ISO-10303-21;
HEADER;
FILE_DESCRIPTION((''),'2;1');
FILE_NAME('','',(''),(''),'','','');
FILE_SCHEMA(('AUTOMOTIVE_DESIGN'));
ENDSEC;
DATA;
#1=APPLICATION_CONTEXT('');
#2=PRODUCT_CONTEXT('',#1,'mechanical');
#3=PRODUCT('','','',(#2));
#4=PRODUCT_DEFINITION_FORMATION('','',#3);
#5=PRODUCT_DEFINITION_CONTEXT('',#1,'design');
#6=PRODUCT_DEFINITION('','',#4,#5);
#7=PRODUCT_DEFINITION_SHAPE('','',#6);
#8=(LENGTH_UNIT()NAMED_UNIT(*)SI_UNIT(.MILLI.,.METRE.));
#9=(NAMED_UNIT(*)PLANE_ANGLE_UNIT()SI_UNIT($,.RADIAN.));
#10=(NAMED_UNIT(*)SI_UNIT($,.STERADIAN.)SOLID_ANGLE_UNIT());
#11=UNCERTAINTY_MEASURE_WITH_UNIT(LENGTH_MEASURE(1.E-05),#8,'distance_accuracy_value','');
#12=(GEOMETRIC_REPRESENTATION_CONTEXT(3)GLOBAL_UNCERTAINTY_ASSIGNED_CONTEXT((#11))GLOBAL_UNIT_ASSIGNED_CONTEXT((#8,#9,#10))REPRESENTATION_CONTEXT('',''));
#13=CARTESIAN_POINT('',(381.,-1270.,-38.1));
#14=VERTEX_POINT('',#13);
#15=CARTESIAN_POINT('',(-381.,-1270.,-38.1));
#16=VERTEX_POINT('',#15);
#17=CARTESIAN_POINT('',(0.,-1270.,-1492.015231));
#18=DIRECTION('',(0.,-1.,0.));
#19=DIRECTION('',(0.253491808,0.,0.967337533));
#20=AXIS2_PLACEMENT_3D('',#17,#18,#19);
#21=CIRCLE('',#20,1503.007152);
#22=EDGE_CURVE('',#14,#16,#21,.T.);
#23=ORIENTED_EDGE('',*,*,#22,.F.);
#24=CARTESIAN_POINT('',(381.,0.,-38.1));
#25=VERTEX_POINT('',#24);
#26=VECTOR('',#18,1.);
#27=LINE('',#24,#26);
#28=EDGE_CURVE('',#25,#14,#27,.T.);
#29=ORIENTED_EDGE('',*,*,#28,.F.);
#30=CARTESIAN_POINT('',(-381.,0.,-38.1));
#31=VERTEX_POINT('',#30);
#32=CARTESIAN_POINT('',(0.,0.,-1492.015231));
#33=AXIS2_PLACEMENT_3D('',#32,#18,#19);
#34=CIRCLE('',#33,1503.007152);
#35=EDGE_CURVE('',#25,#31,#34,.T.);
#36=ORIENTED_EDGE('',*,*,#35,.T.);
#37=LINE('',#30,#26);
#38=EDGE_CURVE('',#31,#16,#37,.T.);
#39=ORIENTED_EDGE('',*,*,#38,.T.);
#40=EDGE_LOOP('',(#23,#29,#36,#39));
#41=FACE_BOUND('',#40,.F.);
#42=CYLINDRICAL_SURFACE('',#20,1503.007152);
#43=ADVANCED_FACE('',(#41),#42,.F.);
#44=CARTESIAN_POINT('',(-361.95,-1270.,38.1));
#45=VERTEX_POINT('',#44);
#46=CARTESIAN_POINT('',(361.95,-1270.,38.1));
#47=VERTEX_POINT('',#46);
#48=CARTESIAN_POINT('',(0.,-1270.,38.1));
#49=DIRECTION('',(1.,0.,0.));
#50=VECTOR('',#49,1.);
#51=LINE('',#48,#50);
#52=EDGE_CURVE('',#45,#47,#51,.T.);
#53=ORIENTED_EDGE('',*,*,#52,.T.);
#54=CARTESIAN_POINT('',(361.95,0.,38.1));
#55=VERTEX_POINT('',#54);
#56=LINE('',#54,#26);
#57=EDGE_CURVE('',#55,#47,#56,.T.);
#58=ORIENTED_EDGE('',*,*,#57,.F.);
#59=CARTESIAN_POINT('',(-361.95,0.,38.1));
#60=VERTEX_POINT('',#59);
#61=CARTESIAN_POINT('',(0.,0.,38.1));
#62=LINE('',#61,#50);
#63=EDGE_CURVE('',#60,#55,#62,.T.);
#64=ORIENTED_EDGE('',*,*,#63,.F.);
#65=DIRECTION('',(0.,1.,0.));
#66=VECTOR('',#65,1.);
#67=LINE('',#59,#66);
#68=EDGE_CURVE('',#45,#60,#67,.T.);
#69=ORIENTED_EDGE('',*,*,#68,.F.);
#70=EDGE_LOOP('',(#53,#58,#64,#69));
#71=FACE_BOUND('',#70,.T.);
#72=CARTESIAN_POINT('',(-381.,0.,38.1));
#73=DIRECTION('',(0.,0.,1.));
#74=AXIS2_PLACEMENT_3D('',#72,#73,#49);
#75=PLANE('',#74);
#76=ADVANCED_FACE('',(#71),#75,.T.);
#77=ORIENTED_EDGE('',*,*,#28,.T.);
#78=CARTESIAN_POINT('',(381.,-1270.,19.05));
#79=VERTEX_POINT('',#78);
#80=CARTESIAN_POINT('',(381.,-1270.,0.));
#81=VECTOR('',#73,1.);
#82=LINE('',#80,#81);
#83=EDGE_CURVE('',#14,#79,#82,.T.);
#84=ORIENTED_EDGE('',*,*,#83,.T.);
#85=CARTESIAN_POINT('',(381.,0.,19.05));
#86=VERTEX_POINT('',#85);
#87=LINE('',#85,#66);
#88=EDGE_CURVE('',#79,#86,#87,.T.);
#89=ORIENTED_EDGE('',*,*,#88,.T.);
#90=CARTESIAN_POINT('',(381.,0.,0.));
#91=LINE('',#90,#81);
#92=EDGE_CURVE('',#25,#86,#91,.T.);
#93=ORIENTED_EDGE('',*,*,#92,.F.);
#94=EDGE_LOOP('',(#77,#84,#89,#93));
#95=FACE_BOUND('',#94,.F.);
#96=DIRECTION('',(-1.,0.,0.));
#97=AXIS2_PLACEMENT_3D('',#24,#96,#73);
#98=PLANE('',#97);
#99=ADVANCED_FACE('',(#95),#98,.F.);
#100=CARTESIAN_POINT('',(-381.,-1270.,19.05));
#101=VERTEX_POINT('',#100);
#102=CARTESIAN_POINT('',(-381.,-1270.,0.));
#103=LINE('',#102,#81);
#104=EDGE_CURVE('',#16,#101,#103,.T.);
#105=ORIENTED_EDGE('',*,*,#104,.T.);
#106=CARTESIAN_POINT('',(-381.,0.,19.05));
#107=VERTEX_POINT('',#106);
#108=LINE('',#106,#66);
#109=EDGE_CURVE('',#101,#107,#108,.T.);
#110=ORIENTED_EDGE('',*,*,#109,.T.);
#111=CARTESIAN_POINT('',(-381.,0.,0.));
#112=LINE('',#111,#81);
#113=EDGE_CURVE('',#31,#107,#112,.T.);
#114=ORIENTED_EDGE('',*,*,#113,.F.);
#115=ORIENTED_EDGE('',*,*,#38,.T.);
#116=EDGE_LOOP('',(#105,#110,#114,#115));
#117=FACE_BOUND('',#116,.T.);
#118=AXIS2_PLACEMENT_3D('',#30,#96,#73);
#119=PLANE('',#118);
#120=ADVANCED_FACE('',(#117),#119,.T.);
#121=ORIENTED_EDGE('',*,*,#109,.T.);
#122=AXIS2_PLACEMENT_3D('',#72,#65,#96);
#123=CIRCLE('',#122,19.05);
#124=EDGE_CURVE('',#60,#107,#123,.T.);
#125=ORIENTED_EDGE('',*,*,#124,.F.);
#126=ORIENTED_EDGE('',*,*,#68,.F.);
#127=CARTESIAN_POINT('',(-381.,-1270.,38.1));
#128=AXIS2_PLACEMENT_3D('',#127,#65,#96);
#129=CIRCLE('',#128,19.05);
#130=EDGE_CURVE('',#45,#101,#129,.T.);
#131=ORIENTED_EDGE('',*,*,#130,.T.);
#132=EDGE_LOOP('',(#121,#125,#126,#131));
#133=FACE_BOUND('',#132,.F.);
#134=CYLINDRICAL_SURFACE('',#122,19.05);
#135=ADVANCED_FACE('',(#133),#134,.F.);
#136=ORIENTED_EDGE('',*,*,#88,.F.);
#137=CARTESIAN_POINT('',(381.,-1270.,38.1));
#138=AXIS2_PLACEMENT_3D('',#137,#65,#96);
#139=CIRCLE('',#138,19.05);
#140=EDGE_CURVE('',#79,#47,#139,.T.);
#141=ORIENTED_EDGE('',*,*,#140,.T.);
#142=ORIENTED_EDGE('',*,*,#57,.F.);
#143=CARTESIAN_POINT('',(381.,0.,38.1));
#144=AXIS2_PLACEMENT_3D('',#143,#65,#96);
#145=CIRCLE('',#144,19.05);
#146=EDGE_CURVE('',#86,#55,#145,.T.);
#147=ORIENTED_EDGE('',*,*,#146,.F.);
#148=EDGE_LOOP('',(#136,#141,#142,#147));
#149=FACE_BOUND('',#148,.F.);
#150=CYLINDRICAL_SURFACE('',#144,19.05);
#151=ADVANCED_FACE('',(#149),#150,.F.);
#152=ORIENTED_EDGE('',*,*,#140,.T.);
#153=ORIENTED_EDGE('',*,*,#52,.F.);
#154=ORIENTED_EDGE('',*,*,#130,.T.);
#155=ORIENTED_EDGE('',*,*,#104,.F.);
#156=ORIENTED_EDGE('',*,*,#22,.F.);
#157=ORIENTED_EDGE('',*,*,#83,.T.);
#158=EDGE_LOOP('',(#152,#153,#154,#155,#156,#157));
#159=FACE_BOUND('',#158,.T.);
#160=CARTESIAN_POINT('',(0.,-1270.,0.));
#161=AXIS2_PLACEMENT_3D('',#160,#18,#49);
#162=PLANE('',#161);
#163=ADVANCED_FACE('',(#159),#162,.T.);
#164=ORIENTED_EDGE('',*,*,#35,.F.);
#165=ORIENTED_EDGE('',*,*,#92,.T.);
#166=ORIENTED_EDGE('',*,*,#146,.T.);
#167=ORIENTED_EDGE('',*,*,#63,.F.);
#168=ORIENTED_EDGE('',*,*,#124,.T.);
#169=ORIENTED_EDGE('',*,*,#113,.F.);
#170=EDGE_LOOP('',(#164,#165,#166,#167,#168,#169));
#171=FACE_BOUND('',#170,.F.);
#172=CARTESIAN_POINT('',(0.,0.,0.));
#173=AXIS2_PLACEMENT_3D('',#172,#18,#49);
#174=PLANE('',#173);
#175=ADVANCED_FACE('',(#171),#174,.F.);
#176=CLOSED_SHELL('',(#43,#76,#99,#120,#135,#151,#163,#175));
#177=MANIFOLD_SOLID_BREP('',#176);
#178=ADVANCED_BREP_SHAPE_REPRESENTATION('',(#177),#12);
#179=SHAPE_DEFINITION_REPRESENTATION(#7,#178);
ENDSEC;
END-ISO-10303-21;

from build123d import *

# Parameters (mm, degrees)
F0_W     = 762
F0_H     = 76.2
F1_DEPTH = 1270
F2_R     = 12.7
F2_R_2   = 38.1
F3_DEPTH = 25.4
F5_DEPTH = 1270.001
F6_R     = 19.05
F7_DEPTH = 1270.001


with BuildPart() as f1:
    # F0 (on Front) → F1 (new body)
    with BuildSketch(Plane.XZ):
        Rectangle(F0_W, F0_H)
    extrude(amount=F1_DEPTH)

    # F2 (on face) → F3 (cut)
    with BuildSketch(Plane(origin=(0, 0, -38.1), x_dir=(1, 0, 0), z_dir=(0, 0, -1))):
        with Locations((0, 1231.9)):
            Circle(F2_R)
        with Locations((0, 38.1)):
            Circle(F2_R)
        with Locations((0, 876.3)):
            Circle(F2_R_2)
        with Locations((0, 393.7)):
            Circle(F2_R_2)
    extrude(amount=-F3_DEPTH, mode=Mode.SUBTRACT)

    # F4 (on face) → F5 (cut, through all)
    with BuildSketch(Plane.XZ.offset(1270)):
        with BuildLine():
            Line((-381, -38.1), (381, -38.1))
            ThreePointArc((381, -38.1), (0, 10.991921), (-381, -38.1))
        make_face()
    extrude(amount=-F5_DEPTH, mode=Mode.SUBTRACT)

    # F6 (on face) → F7 (cut, through all)
    with BuildSketch(Plane(origin=(0, 0, 0), x_dir=(-1, 0, 0), z_dir=(0, 1, 0))):
        with Locations((-381, 38.1)):
            Circle(F6_R)
        with Locations((381, 38.1)):
            Circle(F6_R)
    extrude(amount=-F7_DEPTH, mode=Mode.SUBTRACT)


solid = f1.part
